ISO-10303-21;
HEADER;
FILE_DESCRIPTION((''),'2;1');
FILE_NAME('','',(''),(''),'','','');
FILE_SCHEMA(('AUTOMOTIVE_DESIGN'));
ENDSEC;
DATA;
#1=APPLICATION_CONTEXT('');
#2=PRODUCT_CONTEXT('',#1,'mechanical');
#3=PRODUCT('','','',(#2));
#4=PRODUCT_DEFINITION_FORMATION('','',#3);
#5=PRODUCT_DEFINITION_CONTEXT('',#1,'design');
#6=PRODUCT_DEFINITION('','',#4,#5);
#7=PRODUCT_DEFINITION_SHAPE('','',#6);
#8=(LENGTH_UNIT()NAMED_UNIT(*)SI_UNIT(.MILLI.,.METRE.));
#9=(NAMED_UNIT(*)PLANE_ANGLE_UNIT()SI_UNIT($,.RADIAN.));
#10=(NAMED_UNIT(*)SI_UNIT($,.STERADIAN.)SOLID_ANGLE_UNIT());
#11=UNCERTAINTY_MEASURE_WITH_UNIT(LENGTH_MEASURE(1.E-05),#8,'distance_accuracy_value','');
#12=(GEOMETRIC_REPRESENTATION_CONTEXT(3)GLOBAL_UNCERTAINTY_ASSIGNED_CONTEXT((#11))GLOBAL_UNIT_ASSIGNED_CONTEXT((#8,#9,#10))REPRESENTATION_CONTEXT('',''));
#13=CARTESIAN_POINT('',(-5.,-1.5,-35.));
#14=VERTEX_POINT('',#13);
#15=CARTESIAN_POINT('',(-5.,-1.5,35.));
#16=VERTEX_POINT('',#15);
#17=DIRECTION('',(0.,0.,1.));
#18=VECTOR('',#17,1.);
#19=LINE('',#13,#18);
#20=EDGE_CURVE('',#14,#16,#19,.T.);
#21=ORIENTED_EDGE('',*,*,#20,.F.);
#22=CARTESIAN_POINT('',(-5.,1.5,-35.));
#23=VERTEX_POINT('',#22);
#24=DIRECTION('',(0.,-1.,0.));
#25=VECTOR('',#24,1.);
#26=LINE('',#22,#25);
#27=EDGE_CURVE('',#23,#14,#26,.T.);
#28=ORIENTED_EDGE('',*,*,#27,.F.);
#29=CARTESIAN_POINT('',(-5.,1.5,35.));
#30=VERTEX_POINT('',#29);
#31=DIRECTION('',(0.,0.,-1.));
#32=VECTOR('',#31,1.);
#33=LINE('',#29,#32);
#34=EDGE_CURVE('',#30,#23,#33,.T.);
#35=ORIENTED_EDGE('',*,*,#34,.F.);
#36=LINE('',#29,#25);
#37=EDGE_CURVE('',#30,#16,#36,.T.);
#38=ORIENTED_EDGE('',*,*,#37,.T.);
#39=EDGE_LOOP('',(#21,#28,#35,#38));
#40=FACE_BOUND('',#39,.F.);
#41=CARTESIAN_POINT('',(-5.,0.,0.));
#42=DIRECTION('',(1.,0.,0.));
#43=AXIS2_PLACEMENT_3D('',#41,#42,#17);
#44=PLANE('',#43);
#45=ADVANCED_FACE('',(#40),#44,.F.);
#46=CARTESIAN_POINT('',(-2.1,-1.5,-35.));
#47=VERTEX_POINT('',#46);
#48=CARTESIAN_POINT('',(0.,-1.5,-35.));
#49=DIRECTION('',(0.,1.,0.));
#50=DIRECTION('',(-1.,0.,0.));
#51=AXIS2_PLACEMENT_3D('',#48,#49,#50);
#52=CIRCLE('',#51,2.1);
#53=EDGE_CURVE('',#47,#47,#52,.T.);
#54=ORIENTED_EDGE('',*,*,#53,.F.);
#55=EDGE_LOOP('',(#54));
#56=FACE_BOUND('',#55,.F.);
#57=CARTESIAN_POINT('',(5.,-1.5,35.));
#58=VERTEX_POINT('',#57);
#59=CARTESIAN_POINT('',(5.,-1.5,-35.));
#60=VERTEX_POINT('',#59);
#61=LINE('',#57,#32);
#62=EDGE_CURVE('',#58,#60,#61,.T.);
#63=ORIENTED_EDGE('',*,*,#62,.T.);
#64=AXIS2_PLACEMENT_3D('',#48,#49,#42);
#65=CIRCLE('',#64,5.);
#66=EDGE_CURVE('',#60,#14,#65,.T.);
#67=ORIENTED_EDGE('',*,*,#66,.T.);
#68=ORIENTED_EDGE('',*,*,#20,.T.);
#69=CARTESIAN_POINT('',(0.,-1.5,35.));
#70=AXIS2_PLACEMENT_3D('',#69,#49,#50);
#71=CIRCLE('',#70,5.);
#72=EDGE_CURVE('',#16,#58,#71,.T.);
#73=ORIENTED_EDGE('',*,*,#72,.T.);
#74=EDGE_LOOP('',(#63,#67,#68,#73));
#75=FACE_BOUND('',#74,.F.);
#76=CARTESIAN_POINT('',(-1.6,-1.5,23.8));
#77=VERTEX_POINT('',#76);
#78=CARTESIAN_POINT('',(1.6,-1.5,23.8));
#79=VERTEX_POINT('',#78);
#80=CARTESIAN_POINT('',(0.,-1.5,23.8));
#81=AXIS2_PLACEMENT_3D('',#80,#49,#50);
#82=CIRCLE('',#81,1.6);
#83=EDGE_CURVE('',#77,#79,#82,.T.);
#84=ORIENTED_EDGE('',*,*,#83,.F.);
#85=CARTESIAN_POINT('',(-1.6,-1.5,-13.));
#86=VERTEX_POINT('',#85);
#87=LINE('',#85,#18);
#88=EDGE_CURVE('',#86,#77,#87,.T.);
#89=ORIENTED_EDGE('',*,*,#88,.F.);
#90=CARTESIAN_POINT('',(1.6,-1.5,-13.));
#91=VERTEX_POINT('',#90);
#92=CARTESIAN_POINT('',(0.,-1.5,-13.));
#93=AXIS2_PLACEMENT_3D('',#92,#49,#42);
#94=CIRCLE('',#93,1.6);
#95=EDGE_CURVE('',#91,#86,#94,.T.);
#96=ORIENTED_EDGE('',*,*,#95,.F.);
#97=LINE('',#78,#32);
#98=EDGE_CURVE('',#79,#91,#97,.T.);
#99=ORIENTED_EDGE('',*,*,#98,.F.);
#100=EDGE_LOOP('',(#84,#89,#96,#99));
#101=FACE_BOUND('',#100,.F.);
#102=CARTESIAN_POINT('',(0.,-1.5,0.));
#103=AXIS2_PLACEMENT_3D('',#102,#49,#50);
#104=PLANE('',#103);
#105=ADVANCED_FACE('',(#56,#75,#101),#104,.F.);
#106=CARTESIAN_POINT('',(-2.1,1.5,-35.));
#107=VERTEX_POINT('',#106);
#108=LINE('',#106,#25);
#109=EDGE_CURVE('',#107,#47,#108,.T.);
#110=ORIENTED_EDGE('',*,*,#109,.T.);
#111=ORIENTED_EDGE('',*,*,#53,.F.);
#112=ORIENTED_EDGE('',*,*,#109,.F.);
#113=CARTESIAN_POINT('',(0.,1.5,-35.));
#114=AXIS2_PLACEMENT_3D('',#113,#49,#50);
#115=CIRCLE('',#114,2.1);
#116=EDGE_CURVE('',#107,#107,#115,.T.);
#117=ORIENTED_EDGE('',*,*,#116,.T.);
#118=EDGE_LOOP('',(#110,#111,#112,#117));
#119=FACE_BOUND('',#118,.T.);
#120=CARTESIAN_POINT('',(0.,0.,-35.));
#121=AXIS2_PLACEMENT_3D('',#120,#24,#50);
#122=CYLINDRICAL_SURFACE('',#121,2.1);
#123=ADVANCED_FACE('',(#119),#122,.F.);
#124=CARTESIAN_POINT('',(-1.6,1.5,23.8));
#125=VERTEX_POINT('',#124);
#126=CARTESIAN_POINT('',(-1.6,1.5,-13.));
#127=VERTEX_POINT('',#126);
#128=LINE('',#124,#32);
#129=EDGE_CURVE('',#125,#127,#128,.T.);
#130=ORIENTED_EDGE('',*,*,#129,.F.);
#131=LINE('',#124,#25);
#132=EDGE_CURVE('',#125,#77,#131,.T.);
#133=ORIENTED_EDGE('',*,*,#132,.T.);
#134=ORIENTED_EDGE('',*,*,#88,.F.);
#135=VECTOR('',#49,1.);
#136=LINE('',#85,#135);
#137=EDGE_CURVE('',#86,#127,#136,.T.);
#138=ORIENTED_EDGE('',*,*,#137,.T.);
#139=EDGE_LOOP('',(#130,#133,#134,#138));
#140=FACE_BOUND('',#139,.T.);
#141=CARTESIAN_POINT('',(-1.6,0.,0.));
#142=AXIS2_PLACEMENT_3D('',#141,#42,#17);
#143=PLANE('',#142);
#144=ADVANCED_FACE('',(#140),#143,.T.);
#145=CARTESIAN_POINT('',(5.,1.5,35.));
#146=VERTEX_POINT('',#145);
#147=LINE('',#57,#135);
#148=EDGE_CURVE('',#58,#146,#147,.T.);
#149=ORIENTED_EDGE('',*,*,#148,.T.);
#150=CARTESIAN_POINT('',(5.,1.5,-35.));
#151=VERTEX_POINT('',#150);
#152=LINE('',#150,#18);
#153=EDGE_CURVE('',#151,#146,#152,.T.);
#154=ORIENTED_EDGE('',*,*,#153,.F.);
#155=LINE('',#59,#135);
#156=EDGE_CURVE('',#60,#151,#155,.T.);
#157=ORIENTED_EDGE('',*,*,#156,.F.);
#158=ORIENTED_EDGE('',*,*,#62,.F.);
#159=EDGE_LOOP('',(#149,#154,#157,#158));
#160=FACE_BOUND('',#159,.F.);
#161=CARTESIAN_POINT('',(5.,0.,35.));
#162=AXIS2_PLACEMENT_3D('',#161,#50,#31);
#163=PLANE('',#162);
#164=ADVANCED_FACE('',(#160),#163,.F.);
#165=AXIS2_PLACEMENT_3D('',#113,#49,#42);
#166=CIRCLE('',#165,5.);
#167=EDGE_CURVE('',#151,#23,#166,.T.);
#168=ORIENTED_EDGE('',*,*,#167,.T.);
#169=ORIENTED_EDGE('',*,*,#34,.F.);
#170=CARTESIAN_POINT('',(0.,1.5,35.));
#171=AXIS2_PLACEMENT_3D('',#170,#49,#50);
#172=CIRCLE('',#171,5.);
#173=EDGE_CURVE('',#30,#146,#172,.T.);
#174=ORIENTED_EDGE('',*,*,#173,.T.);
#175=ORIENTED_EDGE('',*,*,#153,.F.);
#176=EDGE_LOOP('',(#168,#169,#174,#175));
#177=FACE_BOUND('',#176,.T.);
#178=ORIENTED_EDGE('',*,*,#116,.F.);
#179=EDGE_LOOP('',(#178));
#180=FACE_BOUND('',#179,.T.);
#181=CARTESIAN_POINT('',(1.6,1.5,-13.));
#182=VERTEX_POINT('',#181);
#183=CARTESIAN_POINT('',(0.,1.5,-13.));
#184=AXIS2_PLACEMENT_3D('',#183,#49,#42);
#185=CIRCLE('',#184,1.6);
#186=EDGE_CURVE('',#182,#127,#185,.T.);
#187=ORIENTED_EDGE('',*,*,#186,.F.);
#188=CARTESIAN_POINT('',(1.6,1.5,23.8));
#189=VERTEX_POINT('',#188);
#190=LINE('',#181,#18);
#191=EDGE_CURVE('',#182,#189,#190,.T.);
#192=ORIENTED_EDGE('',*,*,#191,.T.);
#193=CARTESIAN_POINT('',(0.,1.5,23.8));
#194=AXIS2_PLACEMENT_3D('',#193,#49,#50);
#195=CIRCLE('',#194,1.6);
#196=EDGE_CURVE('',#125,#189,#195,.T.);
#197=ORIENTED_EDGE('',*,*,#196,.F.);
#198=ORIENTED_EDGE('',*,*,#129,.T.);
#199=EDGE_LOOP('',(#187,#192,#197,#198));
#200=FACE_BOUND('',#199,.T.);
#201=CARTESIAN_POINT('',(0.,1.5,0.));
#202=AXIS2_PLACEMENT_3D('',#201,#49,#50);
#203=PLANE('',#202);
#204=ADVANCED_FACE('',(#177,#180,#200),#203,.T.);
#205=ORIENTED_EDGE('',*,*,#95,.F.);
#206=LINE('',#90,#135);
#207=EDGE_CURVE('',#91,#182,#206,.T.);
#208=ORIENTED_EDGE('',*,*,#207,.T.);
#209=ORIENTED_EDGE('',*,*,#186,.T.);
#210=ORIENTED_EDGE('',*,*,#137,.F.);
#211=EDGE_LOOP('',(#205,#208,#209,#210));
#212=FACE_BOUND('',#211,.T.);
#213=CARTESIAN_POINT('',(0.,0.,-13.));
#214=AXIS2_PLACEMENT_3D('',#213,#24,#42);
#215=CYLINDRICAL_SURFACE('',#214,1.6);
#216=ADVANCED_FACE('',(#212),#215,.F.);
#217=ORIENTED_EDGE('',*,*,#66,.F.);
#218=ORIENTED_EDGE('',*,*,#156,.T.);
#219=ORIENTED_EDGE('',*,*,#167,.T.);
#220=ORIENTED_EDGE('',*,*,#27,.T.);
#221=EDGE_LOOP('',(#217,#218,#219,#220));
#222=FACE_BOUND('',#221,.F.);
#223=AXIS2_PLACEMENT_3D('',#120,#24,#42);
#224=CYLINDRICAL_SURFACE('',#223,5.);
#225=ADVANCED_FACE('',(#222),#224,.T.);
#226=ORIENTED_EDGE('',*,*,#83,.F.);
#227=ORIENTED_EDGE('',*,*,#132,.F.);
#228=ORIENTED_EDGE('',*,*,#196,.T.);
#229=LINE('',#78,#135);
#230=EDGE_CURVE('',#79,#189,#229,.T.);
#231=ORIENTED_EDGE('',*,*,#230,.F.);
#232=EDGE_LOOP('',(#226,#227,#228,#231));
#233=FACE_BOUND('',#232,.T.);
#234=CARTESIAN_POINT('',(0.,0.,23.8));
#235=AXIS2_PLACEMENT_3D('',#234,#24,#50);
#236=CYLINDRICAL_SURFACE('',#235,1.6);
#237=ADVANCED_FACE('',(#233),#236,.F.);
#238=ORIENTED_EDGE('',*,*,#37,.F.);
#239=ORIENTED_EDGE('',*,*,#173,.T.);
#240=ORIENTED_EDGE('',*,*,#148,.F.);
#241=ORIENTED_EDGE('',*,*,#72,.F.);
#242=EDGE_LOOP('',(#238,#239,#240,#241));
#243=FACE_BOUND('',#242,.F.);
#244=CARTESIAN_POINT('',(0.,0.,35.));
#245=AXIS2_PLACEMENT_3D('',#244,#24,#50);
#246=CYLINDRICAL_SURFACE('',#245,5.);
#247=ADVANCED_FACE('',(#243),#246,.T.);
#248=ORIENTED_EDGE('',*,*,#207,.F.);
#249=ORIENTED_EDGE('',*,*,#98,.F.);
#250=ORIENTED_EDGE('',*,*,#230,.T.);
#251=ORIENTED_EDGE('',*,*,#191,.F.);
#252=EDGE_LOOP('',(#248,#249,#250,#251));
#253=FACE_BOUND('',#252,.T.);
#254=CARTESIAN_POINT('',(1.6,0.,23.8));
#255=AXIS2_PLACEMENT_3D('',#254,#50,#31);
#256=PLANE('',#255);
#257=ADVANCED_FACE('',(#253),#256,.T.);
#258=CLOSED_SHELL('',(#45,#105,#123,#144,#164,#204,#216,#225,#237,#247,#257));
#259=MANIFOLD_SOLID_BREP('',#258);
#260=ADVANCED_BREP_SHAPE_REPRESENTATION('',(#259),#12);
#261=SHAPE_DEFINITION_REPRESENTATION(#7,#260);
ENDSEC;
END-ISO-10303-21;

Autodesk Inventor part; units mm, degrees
sketch "Эскиз1" plane through (0, 0, 0) normal (0, 1, 0) x (-1, 0, 0)
  line L0 (0, 35) -> (0, -35) construction
  line L1 (-5, 35) -> (-5, -35)
  line L2 (5, -35) -> (5, 35)
  arc A0 (5, 35) -> (-5, 35) centre (0, 35) ccw
  arc A1 (-5, -35) -> (5, -35) centre (0, -35) ccw
  line L3 (0, 23.8) -> (0, -13) construction
  line L4 (-1.6, 23.8) -> (-1.6, -13)
  line L5 (1.6, -13) -> (1.6, 23.8)
  arc A2 (1.6, 23.8) -> (-1.6, 23.8) centre (0, 23.8) ccw
  arc A3 (-1.6, -13) -> (1.6, -13) centre (0, -13) ccw
  line L6 (-7, 0) -> (7, 0) projected
  circle A4 centre (0, -35) radius 2.1
  point P0 (-5, 0)
  point P1 (-1.6, 0)
  point P2 (1.6, 0)
  point P3 (5, 0)
  point P4 (0, 0)
  point P5 (0, 25.4)
  point P6 (0, -14.6)
  dimension "d0" = 10
  dimension "d1" = 70
  dimension "d2" = 3.2
  dimension "d6" = 4.2
  dimension "d7" = 22
  dimension "d8" = 40
extrude "Выдавливание1" add sketch "Эскиз1" along normal mid plane 3 contours A0 L2 L6 L5 A2 L4 L1 | L6 L4 A3 L5 L2 A1 L1
properties part number "Качалка_крепления_камеры"
